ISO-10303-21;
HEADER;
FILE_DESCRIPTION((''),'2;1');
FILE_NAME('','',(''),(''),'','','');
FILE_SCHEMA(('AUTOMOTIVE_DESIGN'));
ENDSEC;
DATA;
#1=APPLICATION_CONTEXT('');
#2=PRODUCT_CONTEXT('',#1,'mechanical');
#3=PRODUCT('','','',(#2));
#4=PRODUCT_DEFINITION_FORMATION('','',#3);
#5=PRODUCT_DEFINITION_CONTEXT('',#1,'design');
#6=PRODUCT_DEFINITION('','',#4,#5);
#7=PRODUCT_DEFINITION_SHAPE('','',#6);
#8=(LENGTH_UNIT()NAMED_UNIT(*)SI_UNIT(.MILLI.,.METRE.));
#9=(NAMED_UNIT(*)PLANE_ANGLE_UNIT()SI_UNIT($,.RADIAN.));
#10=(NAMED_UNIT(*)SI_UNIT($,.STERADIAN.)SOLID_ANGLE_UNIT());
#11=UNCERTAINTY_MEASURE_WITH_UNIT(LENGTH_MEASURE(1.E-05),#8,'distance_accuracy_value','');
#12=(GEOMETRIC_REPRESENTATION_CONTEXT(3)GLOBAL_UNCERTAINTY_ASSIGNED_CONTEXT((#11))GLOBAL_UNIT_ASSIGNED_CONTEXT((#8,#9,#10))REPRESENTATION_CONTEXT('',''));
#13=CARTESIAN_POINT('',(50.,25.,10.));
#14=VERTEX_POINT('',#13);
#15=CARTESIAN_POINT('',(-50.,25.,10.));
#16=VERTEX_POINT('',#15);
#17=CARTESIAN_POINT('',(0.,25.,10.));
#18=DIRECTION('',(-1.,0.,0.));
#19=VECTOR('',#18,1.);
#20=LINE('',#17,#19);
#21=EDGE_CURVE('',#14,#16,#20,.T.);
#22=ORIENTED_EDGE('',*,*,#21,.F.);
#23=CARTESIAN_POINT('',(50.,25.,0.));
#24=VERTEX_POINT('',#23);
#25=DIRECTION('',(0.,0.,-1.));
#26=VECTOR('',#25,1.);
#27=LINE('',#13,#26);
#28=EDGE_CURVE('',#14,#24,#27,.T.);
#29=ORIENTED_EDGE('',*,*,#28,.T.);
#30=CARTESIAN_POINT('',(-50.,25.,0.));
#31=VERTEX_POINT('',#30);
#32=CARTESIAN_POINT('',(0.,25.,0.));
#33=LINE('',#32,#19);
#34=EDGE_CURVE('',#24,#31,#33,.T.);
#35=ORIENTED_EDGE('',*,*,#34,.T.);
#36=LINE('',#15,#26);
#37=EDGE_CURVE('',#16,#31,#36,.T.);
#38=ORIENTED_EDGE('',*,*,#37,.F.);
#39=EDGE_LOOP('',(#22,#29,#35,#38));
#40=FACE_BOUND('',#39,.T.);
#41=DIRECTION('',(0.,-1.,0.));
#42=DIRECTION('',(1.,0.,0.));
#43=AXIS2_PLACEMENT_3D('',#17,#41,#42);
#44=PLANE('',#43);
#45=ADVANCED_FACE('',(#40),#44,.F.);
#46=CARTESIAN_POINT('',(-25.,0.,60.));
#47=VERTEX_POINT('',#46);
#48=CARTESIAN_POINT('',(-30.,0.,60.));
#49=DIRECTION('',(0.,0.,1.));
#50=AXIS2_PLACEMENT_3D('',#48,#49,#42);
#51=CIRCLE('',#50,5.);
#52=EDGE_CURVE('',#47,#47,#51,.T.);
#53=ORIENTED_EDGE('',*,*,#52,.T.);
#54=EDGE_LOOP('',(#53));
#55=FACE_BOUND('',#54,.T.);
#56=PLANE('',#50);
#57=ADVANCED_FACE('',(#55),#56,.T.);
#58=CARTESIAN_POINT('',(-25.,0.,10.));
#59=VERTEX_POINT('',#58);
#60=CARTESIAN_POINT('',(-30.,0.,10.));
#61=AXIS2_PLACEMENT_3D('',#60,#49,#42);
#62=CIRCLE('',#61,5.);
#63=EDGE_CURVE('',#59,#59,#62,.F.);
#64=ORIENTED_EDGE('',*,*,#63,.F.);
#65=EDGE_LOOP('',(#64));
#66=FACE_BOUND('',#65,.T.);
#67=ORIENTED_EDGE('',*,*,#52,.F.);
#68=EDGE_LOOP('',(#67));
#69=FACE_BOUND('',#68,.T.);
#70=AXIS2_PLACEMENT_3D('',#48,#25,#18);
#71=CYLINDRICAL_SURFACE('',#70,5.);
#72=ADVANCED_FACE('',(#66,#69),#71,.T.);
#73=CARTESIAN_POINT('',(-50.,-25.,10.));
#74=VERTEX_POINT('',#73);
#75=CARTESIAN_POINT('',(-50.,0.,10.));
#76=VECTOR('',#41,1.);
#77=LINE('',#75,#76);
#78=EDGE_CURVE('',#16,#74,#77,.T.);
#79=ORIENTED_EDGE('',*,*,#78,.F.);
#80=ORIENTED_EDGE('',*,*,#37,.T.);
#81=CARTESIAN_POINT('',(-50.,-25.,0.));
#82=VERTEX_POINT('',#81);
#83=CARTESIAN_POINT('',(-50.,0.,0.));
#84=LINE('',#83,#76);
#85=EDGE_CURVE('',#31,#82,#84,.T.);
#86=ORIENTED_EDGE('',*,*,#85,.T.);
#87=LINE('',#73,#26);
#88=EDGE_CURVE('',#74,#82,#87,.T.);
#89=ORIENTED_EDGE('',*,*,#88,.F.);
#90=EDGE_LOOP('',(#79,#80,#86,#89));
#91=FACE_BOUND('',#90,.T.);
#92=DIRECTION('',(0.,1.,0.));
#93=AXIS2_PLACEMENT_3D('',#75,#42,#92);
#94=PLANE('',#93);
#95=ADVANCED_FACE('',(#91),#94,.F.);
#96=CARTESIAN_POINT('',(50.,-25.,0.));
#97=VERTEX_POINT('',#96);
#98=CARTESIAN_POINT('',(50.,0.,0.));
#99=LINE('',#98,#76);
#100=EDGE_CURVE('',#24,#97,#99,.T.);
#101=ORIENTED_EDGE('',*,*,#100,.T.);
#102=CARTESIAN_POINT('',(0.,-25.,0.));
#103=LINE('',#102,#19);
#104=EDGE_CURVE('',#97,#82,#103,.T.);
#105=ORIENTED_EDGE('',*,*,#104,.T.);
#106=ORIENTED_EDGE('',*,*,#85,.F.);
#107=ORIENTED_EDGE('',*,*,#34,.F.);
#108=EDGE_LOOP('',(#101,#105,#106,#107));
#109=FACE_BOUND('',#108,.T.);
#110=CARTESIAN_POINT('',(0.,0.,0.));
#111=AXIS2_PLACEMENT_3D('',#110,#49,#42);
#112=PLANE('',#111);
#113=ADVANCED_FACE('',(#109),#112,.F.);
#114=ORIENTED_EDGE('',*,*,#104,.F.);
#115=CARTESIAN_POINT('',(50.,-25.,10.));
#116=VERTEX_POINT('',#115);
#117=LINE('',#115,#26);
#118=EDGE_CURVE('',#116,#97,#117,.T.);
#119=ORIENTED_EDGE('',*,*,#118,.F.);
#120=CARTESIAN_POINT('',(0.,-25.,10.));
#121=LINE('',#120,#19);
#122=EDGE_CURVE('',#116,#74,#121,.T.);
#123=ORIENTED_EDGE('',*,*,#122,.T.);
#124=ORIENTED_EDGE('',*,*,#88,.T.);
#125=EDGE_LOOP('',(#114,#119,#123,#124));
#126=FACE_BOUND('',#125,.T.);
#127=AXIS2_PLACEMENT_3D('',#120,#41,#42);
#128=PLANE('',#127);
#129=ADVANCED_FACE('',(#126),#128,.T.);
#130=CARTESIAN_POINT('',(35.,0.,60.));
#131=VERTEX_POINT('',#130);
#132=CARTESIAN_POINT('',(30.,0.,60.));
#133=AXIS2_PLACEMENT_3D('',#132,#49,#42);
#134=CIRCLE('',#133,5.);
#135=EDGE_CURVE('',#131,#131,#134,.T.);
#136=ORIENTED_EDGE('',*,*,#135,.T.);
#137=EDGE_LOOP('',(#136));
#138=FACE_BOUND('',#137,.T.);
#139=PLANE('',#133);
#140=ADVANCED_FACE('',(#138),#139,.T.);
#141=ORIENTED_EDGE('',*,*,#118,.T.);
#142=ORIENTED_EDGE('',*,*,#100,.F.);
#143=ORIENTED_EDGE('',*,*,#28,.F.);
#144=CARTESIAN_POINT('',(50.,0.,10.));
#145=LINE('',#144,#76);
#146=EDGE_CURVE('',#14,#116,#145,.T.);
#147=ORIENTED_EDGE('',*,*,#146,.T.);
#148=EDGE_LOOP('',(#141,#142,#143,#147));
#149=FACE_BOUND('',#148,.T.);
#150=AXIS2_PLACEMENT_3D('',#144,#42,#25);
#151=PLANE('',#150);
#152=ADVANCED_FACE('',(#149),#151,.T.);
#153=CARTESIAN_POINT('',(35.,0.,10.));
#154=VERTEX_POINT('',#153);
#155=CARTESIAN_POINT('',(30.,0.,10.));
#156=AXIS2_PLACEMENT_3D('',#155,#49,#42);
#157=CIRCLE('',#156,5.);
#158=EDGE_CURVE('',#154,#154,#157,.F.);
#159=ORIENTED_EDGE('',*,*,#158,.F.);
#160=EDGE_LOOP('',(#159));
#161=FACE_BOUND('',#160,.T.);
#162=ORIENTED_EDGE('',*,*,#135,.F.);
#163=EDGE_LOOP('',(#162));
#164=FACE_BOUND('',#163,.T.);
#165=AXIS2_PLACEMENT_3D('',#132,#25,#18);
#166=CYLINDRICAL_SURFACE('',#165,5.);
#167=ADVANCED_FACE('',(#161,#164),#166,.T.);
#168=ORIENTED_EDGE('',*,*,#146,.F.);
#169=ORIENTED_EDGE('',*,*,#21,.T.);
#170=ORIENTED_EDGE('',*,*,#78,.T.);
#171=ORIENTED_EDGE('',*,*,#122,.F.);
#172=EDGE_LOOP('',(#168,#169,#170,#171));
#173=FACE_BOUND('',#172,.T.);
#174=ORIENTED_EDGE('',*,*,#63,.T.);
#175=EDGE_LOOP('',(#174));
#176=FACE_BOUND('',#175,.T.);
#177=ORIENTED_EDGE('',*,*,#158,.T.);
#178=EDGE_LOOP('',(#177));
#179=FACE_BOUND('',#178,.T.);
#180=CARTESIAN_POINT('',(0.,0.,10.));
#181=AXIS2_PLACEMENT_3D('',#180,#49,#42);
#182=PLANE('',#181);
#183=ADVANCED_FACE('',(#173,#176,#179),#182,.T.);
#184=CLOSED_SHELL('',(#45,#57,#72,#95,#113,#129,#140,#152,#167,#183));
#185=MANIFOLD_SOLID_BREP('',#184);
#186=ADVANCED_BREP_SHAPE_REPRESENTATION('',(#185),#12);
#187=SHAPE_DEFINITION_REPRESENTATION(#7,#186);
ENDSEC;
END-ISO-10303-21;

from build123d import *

# Parameters (mm, degrees)
SKETCH1_W           = 100
SKETCH1_H           = 50
BOSS_EXTRUDE1_DEPTH = 10
SKETCH1_3_R         = 5
BOSS_EXTRUDE2_DEPTH = 60


with BuildPart() as part:
    # Sketch1 → Boss-Extrude1 (new body)
    with BuildSketch(Plane.XY):
        Rectangle(SKETCH1_W, SKETCH1_H)
    extrude(amount=BOSS_EXTRUDE1_DEPTH)

    # Sketch1<3> → Boss-Extrude2 (add)
    with BuildSketch(Plane.XY):
        with Locations((-30, 0)):
            Circle(SKETCH1_3_R)
        with Locations((30, 0)):
            Circle(SKETCH1_3_R)
    extrude(amount=BOSS_EXTRUDE2_DEPTH)


solid = part.part
